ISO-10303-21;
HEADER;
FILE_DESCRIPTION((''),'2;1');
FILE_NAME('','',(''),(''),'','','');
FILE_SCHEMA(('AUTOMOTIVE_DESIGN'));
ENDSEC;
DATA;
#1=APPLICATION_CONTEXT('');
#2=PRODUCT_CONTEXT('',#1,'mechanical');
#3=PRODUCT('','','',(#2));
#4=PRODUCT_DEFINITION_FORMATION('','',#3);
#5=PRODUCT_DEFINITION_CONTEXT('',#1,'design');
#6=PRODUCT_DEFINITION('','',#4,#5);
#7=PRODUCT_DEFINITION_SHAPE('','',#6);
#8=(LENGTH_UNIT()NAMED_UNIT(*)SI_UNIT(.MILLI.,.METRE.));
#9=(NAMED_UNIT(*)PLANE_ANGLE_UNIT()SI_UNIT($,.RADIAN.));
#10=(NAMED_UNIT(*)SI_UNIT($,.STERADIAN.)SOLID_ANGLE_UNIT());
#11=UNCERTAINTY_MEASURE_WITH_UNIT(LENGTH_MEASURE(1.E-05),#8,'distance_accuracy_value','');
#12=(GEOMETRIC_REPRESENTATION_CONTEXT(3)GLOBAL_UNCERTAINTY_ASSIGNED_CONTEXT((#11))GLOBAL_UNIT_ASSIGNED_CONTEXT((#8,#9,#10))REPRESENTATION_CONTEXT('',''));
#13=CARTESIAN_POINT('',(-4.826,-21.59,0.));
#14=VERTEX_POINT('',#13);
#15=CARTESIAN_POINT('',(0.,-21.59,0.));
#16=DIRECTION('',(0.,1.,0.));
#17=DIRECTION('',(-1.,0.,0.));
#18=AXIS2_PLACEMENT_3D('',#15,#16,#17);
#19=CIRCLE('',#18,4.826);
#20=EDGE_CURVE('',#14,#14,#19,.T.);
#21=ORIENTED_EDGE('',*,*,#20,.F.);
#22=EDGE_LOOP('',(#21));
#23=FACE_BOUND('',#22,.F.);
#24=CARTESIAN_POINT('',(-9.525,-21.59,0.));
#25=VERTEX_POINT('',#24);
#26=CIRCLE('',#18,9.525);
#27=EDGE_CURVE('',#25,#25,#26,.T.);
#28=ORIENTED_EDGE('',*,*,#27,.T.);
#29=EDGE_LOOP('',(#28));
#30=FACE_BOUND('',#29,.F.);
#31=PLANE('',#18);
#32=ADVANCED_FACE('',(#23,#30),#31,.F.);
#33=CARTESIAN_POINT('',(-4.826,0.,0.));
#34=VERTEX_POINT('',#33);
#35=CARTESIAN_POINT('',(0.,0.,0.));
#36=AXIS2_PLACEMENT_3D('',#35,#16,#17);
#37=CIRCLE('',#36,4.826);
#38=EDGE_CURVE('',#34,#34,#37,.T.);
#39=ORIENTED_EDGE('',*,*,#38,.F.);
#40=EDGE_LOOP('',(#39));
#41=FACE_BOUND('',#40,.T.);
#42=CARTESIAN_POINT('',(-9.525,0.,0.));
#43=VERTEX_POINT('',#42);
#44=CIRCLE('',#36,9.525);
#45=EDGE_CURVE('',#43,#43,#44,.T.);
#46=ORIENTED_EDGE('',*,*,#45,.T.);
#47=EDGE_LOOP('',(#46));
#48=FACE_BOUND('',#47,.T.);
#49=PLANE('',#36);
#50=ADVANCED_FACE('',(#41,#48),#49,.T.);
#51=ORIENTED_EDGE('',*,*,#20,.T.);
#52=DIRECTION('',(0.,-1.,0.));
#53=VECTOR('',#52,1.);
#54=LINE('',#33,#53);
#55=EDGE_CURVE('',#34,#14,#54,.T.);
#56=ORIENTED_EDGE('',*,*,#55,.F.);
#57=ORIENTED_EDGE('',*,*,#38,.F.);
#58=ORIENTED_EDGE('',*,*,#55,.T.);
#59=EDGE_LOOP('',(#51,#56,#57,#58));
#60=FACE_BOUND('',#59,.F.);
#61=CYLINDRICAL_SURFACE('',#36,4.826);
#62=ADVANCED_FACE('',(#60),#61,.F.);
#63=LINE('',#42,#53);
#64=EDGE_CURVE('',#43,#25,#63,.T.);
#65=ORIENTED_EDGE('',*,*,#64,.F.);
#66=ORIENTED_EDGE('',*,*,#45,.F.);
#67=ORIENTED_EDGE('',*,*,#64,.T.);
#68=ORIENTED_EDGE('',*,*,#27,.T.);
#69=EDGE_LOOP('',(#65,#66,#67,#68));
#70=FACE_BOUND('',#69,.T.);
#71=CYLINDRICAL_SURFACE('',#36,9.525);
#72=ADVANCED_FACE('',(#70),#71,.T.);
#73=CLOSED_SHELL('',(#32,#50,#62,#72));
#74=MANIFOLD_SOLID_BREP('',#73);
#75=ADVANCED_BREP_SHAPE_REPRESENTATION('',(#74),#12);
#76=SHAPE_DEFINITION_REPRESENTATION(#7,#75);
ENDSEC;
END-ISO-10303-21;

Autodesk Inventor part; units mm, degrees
ref_plane "YZ Plane" through (0, 0, 0) normal (1, 0, 0) x (0, 1, 0)
ref_plane "XZ Plane" through (0, 0, 0) normal (0, 1, 0) x (-1, 0, 0)
ref_plane "XY Plane" through (0, 0, 0) normal (0, 0, 1) x (1, 0, 0)
sketch "Sketch1" plane through (0, 0, 0) normal (0, 1, 0) x (-1, 0, 0)
  circle A0 centre (0, 0) radius 9.525
  circle A1 centre (0, 0) radius 4.826
  dimension "d0" = 19.05
  dimension "d3" = 9.652
extrude "Extrusion1" add sketch "Sketch1" against normal blind 21.59
properties part number "am-1307"
